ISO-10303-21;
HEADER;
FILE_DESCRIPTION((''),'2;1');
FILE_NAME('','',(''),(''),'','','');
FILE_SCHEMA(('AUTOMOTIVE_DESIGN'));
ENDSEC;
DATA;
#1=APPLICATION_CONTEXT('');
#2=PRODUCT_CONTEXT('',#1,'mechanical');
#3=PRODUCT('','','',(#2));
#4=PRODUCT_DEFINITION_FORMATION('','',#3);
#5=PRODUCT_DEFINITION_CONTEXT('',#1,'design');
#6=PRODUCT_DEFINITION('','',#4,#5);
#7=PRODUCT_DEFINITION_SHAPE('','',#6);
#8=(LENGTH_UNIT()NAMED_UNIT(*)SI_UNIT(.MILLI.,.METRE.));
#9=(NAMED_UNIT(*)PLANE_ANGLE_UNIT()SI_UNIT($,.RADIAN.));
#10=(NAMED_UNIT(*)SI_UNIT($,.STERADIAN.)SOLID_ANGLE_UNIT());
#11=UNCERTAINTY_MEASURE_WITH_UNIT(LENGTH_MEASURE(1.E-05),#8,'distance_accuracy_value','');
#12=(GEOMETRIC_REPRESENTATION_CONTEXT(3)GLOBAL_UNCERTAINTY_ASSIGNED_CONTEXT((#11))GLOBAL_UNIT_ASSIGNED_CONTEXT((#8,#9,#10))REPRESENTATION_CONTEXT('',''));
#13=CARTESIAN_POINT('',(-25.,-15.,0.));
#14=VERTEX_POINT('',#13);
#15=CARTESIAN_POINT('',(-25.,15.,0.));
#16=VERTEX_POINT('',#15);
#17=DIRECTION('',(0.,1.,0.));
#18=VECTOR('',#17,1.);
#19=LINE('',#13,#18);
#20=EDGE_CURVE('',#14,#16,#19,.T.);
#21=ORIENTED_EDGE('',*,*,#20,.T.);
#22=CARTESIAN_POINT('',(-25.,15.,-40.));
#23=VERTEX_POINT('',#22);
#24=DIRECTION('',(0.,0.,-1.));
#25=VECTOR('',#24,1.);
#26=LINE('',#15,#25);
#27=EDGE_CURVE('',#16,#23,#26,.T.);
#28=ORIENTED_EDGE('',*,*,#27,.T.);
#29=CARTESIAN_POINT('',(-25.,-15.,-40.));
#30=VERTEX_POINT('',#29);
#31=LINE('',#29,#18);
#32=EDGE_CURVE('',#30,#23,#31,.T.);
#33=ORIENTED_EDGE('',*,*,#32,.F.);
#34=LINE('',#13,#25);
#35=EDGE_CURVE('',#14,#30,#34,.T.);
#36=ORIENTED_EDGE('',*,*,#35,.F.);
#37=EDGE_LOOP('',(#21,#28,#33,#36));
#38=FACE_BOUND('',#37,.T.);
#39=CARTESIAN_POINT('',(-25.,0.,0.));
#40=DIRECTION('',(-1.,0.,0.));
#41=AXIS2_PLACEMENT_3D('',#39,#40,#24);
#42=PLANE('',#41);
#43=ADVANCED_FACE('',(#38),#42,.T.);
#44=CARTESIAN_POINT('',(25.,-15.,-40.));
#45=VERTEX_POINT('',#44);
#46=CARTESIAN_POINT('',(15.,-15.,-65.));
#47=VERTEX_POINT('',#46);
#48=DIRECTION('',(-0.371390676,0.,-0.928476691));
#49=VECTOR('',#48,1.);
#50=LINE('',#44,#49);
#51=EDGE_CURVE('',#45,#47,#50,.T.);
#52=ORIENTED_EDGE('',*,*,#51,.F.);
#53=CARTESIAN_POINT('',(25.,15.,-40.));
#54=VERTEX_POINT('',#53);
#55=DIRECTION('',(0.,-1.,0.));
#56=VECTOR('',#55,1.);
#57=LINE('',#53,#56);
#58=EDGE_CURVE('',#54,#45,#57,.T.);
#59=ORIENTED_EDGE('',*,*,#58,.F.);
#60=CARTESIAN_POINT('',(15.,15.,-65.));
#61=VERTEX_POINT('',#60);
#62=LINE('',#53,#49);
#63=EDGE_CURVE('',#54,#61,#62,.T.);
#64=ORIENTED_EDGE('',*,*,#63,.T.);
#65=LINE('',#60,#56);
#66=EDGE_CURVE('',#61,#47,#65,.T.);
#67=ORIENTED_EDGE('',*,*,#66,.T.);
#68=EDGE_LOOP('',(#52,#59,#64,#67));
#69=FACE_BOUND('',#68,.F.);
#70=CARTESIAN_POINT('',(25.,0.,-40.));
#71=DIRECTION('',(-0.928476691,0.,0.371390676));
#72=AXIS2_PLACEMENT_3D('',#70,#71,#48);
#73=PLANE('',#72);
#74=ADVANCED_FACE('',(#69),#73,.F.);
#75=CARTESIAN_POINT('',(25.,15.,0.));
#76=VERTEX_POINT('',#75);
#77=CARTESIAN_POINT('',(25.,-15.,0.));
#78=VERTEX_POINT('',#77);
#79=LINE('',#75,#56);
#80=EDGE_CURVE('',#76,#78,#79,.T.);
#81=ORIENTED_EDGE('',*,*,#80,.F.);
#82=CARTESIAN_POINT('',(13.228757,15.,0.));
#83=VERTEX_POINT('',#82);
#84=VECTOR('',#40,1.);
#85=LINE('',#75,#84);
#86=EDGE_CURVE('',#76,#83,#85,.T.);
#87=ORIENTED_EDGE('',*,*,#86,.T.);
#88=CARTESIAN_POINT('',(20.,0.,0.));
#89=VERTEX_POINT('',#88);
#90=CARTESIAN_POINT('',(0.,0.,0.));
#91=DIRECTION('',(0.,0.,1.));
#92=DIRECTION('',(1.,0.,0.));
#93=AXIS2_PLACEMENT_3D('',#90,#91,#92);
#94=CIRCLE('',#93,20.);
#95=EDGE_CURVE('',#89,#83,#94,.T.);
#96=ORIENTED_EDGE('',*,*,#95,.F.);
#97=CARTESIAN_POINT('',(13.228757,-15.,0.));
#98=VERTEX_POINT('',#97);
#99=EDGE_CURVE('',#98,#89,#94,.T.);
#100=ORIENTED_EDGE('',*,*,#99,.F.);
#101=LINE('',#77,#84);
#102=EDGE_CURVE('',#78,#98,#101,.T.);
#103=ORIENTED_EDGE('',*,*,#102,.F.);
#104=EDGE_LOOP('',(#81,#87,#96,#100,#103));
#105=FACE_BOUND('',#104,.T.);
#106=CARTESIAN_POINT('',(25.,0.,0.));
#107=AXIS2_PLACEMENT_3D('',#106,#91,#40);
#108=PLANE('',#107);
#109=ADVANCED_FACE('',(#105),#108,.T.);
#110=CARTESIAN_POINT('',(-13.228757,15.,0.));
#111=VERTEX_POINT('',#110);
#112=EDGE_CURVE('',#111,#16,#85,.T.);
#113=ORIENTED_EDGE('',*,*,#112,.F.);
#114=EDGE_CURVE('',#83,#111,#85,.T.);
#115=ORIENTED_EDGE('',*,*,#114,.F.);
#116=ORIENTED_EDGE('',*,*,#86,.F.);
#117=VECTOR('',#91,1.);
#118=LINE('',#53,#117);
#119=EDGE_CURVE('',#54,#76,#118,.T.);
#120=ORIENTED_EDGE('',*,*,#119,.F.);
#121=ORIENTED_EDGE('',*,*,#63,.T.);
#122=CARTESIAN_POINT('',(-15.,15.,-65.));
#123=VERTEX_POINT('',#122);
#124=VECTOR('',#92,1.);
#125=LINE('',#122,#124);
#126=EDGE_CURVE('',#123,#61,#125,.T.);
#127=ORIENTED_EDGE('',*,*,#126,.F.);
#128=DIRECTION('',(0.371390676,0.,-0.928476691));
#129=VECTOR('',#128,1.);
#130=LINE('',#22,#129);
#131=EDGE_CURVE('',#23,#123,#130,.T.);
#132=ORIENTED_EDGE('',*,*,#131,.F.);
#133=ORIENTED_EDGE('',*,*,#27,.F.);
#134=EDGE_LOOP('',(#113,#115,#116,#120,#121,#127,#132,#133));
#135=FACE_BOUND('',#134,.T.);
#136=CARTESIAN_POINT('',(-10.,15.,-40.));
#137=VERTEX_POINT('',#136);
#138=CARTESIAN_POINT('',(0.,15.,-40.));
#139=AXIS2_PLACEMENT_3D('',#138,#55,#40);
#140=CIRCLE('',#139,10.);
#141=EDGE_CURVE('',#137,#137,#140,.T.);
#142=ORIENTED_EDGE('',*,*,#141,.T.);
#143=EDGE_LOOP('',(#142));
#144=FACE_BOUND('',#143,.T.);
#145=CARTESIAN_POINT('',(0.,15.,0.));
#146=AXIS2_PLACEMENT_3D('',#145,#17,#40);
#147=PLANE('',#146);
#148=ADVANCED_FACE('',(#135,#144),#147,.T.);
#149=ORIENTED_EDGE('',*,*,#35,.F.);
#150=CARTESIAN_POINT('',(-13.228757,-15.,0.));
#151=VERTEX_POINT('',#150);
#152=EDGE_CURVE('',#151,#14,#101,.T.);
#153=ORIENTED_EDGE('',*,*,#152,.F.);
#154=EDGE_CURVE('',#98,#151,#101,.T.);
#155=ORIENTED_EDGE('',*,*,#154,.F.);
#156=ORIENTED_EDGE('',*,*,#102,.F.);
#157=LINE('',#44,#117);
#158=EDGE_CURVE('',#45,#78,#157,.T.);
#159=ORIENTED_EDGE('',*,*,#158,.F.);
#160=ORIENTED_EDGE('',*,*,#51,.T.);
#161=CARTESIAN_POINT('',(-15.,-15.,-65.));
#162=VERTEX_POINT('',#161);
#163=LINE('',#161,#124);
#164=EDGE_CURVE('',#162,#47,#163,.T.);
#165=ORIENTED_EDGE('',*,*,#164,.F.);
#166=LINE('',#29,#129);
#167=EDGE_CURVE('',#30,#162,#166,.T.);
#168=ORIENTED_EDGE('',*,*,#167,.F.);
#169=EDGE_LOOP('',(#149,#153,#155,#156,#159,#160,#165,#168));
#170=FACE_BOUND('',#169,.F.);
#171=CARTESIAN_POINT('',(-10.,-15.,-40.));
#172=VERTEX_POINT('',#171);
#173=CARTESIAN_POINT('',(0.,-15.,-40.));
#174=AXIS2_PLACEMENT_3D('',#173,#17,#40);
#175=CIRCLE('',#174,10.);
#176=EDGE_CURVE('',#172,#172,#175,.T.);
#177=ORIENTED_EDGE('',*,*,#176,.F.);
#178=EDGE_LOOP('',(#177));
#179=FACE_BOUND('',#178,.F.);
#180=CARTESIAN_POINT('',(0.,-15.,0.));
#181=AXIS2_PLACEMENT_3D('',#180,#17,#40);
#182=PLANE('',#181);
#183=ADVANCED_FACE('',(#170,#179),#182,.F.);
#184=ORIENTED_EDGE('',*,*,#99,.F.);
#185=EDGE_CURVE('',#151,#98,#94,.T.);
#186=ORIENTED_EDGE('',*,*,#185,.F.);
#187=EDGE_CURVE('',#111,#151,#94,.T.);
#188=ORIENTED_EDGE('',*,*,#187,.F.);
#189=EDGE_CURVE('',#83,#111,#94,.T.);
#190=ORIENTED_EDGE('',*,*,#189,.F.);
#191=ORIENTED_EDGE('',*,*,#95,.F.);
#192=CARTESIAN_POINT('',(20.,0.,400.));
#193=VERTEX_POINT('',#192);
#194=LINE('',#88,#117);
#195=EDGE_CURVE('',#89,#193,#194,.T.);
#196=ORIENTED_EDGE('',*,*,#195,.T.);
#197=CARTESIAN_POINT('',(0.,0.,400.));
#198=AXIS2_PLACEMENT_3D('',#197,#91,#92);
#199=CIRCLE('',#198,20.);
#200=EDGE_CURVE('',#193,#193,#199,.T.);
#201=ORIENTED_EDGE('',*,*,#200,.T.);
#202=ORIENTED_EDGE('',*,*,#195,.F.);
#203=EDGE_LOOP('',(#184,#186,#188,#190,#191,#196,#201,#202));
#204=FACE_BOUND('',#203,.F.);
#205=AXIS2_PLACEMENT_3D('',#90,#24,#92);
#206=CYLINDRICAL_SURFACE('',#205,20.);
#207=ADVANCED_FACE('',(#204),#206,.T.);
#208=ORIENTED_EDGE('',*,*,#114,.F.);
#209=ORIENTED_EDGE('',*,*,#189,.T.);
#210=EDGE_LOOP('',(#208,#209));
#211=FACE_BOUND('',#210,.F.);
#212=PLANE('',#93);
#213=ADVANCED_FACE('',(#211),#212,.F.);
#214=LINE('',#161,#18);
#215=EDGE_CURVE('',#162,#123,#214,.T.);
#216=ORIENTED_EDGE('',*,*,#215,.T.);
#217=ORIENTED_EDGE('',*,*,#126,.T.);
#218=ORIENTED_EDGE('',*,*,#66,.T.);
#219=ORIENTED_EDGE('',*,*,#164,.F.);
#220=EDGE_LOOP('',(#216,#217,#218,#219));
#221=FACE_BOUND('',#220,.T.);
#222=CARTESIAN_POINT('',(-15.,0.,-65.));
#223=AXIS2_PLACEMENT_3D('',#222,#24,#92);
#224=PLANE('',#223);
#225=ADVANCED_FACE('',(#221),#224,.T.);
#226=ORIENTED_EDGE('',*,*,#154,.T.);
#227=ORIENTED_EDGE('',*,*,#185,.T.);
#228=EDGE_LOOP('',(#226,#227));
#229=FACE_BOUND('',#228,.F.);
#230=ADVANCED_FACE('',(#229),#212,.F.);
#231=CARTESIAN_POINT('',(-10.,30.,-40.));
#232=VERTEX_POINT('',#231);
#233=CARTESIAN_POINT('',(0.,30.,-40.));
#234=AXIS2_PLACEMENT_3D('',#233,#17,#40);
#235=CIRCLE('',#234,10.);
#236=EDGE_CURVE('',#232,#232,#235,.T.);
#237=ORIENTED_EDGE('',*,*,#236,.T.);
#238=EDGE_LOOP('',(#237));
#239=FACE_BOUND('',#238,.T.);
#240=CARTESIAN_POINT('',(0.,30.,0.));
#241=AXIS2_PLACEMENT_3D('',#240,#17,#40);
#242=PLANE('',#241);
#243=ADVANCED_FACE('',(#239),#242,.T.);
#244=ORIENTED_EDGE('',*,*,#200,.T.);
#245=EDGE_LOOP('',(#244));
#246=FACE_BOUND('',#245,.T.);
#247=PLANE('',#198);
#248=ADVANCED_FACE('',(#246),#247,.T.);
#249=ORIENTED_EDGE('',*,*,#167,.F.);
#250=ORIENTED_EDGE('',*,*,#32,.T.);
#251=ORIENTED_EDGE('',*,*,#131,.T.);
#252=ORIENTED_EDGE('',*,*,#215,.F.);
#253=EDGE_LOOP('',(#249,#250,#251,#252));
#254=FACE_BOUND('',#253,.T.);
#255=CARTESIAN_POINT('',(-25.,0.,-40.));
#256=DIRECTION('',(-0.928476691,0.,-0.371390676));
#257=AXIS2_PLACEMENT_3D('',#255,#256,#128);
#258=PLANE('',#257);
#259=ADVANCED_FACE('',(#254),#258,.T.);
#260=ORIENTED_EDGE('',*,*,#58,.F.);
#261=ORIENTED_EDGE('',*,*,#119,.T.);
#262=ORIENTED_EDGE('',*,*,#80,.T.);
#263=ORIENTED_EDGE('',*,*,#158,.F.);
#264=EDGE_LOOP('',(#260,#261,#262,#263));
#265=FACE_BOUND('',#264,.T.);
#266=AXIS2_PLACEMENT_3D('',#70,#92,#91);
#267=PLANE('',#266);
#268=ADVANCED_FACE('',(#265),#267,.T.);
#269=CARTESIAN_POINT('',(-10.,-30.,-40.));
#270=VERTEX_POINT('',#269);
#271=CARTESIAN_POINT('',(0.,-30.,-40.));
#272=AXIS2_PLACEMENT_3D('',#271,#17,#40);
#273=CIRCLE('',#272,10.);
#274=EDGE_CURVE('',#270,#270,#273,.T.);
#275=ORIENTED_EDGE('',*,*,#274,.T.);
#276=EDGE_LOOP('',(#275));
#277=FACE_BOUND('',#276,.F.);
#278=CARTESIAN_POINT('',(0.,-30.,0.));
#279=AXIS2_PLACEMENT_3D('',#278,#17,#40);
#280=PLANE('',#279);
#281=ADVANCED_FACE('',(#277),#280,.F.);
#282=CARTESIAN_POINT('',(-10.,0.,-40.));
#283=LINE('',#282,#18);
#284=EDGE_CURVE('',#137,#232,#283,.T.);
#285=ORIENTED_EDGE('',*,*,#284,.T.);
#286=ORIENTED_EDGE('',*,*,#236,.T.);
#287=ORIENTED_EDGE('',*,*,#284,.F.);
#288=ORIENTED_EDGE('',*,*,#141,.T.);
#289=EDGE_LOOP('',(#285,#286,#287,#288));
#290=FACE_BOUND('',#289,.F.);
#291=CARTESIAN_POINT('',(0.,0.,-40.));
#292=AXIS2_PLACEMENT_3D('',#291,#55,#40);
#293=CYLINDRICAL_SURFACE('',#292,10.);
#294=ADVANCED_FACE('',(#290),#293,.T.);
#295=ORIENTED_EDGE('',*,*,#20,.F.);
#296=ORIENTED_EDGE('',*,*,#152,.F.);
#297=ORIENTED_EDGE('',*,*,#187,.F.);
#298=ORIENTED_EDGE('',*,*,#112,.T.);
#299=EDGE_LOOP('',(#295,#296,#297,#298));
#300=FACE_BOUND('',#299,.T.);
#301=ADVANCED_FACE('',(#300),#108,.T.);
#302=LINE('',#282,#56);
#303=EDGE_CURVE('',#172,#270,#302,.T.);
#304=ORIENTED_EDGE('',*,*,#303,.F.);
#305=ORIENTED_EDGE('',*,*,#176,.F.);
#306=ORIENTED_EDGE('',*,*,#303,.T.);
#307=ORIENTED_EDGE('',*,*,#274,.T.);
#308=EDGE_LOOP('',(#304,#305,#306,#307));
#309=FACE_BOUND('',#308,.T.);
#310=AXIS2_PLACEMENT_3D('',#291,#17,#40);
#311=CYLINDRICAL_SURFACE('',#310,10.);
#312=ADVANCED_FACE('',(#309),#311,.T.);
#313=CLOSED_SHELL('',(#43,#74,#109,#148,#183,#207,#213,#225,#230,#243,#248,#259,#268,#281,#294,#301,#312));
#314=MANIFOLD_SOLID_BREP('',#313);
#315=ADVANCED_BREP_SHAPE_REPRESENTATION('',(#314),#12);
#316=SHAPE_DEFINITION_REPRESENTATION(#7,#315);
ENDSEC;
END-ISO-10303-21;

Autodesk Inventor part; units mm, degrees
ref_plane "YZ Plane" through (0, 0, 0) normal (1, 0, 0) x (0, 1, 0)
ref_plane "XZ Plane" through (0, 0, 0) normal (0, 1, 0) x (-1, 0, 0)
ref_plane "XY Plane" through (0, 0, 0) normal (0, 0, 1) x (1, 0, 0)
sketch "Sketch1" plane through (0, 0, 0) normal (0, 0, 1) x (1, 0, 0)
  circle A0 centre (0, 0) radius 20
  dimension "d0" = 40
extrude "Extrusion1" add sketch "Sketch1" along normal blind 400
sketch "Sketch2" plane through (0, 0, 0) normal (0, 1, 0) x (-1, 0, 0)
  line L0 (15, -65) -> (-15, -65)
  line L1 (-25, -40) -> (-25, 0)
  line L2 (-25, 0) -> (25, 0)
  line L3 (25, 0) -> (25, -40)
  line L4 (25, -65) -> (-25, 0) construction
  line L5 (-25, -65) -> (25, 0) construction
  line L6 (25, -40) -> (15, -65)
  line L7 (-25, -40) -> (-15, -65)
  point P0 (0, 0)
  point P1 (0, -32.5)
  dimension "d3" = 50
  dimension "d4" = 65
  dimension "d5" = 25
  dimension "d6" = 10
  dimension "d7" = 25
  dimension "d8" = 10
extrude "Extrusion2" add sketch "Sketch2" along normal mid plane 30
sketch "Sketch3" plane through (0, 15, 0) normal (0, 1, 0) x (1, 0, 0)
  point P0 (0, 0)
sketch "Sketch4" plane through (0, 0, 0) normal (0, 1, 0) x (-1, 0, 0)
  circle A0 centre (0, -40) radius 10
  line L0 (13.2288, 0) -> (-13.2288, 0) projected
  point P0 (0, 0)
  dimension "d11" = 20
  dimension "d12" = 40
extrude "Extrusion3" add sketch "Sketch4" along normal mid plane 60
properties part number "Parth_Pushrod"
